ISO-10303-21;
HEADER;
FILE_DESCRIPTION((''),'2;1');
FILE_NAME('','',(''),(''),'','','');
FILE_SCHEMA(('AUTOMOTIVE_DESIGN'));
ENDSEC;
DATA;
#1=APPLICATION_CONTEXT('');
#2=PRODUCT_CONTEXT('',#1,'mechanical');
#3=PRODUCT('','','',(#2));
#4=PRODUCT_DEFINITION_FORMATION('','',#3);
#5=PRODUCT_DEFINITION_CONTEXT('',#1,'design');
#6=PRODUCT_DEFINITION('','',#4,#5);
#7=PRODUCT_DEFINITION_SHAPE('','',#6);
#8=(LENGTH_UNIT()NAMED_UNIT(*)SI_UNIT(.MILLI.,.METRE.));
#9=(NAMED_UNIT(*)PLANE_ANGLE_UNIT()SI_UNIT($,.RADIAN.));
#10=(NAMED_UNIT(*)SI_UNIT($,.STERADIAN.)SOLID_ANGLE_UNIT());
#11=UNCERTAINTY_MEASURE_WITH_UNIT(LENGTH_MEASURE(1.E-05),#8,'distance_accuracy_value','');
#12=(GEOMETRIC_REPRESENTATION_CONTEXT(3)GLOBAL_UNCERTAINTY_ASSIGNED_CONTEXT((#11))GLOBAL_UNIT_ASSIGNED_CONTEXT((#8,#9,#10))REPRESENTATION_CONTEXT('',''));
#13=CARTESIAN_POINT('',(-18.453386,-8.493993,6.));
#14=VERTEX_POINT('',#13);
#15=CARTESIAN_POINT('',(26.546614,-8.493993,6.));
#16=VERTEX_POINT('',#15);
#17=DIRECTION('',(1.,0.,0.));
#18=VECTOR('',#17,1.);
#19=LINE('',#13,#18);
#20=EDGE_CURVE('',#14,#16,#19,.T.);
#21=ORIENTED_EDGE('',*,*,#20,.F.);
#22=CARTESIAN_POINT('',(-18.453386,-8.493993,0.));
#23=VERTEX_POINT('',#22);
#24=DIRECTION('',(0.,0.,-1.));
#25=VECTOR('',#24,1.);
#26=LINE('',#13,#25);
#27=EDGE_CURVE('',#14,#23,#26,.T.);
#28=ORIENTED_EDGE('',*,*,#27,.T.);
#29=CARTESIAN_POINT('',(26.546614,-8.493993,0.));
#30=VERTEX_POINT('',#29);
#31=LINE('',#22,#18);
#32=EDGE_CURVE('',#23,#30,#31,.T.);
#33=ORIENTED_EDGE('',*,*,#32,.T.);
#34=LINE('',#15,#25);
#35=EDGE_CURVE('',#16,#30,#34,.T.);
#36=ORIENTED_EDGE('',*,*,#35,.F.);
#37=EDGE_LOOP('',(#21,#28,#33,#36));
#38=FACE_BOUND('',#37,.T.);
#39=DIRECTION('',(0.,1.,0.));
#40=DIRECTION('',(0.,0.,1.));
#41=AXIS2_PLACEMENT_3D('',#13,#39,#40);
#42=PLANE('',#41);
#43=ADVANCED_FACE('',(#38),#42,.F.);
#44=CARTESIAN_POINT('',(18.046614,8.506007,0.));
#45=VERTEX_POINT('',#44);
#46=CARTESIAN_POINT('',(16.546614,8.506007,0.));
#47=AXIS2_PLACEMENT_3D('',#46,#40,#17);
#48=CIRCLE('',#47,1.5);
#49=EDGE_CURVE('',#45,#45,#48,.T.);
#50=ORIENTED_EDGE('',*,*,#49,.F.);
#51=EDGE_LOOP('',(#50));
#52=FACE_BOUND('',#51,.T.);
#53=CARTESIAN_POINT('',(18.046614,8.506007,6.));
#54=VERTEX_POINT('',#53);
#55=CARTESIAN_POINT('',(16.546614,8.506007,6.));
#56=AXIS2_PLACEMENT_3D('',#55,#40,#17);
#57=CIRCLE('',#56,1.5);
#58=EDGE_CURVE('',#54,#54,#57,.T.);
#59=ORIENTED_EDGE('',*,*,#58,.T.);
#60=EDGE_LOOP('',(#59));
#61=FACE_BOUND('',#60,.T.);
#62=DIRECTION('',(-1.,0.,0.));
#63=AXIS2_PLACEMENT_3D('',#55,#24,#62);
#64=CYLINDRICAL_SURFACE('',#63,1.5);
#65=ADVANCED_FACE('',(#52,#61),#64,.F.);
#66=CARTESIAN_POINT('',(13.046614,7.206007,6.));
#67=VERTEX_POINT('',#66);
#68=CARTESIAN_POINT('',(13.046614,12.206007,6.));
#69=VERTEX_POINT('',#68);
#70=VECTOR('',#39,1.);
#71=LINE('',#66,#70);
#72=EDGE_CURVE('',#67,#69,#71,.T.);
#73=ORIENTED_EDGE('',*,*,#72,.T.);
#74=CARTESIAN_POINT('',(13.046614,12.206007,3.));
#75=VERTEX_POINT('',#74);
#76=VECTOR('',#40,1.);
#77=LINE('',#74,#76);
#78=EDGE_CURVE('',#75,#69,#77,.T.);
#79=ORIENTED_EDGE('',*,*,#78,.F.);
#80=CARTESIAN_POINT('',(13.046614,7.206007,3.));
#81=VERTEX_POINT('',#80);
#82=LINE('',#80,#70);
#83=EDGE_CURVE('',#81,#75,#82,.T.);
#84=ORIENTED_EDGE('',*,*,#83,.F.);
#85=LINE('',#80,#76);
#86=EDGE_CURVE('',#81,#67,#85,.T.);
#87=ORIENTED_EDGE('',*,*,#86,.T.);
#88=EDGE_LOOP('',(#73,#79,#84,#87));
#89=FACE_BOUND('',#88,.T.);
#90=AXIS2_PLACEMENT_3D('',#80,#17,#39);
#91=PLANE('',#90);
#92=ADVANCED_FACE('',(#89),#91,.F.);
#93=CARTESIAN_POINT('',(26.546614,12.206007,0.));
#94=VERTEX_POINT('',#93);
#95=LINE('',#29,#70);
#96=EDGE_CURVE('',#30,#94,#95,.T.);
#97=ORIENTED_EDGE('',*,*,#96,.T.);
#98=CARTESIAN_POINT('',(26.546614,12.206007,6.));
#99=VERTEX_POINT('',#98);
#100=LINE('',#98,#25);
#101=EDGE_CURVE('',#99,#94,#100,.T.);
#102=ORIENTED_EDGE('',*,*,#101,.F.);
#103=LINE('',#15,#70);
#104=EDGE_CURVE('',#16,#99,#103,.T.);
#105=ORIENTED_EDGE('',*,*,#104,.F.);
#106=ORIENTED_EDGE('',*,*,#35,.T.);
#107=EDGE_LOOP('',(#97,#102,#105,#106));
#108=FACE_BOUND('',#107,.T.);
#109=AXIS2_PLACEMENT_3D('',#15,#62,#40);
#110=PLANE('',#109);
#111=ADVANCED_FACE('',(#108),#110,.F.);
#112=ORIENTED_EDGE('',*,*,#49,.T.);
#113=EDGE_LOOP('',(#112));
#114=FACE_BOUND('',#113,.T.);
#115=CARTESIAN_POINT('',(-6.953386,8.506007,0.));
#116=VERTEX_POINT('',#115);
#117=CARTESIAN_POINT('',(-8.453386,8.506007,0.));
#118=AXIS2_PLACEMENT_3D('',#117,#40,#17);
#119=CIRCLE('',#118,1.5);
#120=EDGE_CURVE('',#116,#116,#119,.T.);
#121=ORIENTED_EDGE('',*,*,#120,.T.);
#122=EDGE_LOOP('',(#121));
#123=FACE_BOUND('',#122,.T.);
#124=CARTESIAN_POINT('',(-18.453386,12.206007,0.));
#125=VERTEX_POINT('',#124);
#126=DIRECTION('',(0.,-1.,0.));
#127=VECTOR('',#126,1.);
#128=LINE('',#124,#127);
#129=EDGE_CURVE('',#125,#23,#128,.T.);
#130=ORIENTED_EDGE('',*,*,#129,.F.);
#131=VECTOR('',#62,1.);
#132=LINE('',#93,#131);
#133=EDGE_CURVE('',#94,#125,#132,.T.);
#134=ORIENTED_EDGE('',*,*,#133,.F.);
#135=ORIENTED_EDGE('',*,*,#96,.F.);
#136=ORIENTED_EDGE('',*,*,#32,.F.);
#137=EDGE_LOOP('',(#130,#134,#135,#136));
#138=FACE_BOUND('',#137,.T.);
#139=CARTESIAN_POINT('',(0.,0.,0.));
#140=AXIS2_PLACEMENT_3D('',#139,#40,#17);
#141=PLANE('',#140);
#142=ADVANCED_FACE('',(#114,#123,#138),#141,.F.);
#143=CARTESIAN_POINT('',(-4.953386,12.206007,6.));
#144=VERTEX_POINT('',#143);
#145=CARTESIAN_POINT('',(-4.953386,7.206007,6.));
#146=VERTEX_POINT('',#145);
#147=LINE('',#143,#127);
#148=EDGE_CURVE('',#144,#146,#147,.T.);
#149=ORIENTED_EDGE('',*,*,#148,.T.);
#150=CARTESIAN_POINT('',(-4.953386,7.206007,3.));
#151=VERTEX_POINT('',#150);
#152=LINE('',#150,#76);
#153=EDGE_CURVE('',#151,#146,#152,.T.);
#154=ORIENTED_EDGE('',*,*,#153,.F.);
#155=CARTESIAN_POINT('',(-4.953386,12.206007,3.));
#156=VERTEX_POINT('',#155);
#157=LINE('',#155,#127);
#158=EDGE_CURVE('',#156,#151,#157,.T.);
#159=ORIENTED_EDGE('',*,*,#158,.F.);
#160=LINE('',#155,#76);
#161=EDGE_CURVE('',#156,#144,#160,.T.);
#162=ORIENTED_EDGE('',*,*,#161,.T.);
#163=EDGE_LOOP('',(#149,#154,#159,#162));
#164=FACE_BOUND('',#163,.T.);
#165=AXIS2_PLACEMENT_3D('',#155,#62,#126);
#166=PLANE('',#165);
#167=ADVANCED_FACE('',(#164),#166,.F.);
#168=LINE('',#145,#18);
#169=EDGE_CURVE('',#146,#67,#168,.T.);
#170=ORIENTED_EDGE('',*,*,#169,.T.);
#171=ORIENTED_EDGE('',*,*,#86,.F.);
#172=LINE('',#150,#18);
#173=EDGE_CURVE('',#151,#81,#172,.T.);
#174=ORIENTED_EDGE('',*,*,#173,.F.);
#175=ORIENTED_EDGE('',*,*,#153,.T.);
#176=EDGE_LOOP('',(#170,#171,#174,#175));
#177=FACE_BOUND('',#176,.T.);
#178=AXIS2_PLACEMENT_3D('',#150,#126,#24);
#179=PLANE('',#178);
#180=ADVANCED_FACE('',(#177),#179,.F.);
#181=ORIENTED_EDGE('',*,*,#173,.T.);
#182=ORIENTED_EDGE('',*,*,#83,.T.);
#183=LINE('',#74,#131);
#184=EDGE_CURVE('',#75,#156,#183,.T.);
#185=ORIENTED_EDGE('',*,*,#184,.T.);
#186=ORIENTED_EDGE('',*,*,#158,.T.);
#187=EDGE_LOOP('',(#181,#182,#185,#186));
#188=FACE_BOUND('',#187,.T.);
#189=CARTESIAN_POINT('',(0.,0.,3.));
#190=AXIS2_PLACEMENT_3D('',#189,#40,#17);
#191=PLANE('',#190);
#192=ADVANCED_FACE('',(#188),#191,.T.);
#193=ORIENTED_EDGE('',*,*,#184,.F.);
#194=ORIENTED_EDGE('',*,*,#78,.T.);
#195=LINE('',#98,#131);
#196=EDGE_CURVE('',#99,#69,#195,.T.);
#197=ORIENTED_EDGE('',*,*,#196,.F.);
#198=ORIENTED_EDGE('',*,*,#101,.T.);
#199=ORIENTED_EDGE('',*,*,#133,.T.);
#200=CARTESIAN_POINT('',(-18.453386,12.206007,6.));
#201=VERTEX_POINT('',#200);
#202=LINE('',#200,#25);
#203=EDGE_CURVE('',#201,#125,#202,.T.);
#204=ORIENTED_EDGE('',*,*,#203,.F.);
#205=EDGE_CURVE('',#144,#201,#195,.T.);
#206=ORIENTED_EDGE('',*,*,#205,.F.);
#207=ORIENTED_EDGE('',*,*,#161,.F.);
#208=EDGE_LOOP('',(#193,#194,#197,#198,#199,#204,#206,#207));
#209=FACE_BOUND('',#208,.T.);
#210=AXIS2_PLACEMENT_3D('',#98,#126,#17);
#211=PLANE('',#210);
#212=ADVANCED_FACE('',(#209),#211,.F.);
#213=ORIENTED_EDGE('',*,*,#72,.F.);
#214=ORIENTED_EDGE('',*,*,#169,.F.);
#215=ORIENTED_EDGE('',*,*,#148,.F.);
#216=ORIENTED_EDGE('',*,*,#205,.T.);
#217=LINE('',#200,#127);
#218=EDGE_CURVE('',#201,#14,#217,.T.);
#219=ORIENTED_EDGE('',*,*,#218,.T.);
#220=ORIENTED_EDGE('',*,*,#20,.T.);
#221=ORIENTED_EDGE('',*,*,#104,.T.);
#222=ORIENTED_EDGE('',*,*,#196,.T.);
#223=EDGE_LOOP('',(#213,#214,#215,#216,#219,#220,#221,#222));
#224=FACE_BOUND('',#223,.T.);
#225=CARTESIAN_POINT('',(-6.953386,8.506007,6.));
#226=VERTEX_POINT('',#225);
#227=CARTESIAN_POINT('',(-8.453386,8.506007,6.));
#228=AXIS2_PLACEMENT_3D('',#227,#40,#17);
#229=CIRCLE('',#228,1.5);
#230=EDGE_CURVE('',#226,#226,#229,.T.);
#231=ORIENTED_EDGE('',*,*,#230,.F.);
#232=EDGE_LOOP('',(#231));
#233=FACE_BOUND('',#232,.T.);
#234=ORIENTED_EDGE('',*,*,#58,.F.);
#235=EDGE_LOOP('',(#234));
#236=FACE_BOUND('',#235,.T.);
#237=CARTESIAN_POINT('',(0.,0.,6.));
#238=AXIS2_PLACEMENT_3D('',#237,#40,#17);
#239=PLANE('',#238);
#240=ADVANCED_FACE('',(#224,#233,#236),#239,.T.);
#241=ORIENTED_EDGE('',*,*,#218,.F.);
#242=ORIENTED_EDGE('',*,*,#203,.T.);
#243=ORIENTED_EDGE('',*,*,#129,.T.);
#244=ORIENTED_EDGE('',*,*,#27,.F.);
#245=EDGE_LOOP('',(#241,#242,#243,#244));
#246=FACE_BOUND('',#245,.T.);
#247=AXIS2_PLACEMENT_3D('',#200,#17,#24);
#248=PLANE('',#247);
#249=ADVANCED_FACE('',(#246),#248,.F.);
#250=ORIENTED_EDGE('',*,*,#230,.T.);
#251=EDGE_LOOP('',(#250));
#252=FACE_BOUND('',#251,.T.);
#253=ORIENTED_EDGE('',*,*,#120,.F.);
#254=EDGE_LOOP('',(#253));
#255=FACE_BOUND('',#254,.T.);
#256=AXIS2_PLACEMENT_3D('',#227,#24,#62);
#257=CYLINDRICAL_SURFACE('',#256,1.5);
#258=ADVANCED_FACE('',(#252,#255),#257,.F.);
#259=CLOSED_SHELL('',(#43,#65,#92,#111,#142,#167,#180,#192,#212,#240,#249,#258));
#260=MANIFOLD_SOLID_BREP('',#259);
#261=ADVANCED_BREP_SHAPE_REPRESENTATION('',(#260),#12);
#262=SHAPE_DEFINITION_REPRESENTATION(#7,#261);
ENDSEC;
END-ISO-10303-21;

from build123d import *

# Parameters (mm, degrees)
SKETCH1_W           = 45
SKETCH1_H           = 20.7
SKETCH1_R           = 1.5
BOSS_EXTRUDE1_DEPTH = 6
SKETCH3_W           = 18
SKETCH3_H           = 5
CUT_EXTRUDE1_DEPTH  = 3


with BuildPart() as part:
    # Sketch1 → Boss-Extrude1 (new body)
    with BuildSketch(Plane.XY):
        with Locations((4.046614158, 1.856007179)):
            Rectangle(SKETCH1_W, SKETCH1_H)
        with Locations((16.546614158, 8.506007179)):
            Circle(SKETCH1_R, mode=Mode.SUBTRACT)
        with Locations((-8.453385842, 8.506007179)):
            Circle(SKETCH1_R, mode=Mode.SUBTRACT)
    extrude(amount=BOSS_EXTRUDE1_DEPTH)

    # Sketch3 → Cut-Extrude1 (cut)
    with BuildSketch(Plane.XY.offset(6)):
        with Locations((4.046614158, 9.706007179)):
            Rectangle(SKETCH3_W, SKETCH3_H)
    extrude(amount=-CUT_EXTRUDE1_DEPTH, mode=Mode.SUBTRACT)


solid = part.part
